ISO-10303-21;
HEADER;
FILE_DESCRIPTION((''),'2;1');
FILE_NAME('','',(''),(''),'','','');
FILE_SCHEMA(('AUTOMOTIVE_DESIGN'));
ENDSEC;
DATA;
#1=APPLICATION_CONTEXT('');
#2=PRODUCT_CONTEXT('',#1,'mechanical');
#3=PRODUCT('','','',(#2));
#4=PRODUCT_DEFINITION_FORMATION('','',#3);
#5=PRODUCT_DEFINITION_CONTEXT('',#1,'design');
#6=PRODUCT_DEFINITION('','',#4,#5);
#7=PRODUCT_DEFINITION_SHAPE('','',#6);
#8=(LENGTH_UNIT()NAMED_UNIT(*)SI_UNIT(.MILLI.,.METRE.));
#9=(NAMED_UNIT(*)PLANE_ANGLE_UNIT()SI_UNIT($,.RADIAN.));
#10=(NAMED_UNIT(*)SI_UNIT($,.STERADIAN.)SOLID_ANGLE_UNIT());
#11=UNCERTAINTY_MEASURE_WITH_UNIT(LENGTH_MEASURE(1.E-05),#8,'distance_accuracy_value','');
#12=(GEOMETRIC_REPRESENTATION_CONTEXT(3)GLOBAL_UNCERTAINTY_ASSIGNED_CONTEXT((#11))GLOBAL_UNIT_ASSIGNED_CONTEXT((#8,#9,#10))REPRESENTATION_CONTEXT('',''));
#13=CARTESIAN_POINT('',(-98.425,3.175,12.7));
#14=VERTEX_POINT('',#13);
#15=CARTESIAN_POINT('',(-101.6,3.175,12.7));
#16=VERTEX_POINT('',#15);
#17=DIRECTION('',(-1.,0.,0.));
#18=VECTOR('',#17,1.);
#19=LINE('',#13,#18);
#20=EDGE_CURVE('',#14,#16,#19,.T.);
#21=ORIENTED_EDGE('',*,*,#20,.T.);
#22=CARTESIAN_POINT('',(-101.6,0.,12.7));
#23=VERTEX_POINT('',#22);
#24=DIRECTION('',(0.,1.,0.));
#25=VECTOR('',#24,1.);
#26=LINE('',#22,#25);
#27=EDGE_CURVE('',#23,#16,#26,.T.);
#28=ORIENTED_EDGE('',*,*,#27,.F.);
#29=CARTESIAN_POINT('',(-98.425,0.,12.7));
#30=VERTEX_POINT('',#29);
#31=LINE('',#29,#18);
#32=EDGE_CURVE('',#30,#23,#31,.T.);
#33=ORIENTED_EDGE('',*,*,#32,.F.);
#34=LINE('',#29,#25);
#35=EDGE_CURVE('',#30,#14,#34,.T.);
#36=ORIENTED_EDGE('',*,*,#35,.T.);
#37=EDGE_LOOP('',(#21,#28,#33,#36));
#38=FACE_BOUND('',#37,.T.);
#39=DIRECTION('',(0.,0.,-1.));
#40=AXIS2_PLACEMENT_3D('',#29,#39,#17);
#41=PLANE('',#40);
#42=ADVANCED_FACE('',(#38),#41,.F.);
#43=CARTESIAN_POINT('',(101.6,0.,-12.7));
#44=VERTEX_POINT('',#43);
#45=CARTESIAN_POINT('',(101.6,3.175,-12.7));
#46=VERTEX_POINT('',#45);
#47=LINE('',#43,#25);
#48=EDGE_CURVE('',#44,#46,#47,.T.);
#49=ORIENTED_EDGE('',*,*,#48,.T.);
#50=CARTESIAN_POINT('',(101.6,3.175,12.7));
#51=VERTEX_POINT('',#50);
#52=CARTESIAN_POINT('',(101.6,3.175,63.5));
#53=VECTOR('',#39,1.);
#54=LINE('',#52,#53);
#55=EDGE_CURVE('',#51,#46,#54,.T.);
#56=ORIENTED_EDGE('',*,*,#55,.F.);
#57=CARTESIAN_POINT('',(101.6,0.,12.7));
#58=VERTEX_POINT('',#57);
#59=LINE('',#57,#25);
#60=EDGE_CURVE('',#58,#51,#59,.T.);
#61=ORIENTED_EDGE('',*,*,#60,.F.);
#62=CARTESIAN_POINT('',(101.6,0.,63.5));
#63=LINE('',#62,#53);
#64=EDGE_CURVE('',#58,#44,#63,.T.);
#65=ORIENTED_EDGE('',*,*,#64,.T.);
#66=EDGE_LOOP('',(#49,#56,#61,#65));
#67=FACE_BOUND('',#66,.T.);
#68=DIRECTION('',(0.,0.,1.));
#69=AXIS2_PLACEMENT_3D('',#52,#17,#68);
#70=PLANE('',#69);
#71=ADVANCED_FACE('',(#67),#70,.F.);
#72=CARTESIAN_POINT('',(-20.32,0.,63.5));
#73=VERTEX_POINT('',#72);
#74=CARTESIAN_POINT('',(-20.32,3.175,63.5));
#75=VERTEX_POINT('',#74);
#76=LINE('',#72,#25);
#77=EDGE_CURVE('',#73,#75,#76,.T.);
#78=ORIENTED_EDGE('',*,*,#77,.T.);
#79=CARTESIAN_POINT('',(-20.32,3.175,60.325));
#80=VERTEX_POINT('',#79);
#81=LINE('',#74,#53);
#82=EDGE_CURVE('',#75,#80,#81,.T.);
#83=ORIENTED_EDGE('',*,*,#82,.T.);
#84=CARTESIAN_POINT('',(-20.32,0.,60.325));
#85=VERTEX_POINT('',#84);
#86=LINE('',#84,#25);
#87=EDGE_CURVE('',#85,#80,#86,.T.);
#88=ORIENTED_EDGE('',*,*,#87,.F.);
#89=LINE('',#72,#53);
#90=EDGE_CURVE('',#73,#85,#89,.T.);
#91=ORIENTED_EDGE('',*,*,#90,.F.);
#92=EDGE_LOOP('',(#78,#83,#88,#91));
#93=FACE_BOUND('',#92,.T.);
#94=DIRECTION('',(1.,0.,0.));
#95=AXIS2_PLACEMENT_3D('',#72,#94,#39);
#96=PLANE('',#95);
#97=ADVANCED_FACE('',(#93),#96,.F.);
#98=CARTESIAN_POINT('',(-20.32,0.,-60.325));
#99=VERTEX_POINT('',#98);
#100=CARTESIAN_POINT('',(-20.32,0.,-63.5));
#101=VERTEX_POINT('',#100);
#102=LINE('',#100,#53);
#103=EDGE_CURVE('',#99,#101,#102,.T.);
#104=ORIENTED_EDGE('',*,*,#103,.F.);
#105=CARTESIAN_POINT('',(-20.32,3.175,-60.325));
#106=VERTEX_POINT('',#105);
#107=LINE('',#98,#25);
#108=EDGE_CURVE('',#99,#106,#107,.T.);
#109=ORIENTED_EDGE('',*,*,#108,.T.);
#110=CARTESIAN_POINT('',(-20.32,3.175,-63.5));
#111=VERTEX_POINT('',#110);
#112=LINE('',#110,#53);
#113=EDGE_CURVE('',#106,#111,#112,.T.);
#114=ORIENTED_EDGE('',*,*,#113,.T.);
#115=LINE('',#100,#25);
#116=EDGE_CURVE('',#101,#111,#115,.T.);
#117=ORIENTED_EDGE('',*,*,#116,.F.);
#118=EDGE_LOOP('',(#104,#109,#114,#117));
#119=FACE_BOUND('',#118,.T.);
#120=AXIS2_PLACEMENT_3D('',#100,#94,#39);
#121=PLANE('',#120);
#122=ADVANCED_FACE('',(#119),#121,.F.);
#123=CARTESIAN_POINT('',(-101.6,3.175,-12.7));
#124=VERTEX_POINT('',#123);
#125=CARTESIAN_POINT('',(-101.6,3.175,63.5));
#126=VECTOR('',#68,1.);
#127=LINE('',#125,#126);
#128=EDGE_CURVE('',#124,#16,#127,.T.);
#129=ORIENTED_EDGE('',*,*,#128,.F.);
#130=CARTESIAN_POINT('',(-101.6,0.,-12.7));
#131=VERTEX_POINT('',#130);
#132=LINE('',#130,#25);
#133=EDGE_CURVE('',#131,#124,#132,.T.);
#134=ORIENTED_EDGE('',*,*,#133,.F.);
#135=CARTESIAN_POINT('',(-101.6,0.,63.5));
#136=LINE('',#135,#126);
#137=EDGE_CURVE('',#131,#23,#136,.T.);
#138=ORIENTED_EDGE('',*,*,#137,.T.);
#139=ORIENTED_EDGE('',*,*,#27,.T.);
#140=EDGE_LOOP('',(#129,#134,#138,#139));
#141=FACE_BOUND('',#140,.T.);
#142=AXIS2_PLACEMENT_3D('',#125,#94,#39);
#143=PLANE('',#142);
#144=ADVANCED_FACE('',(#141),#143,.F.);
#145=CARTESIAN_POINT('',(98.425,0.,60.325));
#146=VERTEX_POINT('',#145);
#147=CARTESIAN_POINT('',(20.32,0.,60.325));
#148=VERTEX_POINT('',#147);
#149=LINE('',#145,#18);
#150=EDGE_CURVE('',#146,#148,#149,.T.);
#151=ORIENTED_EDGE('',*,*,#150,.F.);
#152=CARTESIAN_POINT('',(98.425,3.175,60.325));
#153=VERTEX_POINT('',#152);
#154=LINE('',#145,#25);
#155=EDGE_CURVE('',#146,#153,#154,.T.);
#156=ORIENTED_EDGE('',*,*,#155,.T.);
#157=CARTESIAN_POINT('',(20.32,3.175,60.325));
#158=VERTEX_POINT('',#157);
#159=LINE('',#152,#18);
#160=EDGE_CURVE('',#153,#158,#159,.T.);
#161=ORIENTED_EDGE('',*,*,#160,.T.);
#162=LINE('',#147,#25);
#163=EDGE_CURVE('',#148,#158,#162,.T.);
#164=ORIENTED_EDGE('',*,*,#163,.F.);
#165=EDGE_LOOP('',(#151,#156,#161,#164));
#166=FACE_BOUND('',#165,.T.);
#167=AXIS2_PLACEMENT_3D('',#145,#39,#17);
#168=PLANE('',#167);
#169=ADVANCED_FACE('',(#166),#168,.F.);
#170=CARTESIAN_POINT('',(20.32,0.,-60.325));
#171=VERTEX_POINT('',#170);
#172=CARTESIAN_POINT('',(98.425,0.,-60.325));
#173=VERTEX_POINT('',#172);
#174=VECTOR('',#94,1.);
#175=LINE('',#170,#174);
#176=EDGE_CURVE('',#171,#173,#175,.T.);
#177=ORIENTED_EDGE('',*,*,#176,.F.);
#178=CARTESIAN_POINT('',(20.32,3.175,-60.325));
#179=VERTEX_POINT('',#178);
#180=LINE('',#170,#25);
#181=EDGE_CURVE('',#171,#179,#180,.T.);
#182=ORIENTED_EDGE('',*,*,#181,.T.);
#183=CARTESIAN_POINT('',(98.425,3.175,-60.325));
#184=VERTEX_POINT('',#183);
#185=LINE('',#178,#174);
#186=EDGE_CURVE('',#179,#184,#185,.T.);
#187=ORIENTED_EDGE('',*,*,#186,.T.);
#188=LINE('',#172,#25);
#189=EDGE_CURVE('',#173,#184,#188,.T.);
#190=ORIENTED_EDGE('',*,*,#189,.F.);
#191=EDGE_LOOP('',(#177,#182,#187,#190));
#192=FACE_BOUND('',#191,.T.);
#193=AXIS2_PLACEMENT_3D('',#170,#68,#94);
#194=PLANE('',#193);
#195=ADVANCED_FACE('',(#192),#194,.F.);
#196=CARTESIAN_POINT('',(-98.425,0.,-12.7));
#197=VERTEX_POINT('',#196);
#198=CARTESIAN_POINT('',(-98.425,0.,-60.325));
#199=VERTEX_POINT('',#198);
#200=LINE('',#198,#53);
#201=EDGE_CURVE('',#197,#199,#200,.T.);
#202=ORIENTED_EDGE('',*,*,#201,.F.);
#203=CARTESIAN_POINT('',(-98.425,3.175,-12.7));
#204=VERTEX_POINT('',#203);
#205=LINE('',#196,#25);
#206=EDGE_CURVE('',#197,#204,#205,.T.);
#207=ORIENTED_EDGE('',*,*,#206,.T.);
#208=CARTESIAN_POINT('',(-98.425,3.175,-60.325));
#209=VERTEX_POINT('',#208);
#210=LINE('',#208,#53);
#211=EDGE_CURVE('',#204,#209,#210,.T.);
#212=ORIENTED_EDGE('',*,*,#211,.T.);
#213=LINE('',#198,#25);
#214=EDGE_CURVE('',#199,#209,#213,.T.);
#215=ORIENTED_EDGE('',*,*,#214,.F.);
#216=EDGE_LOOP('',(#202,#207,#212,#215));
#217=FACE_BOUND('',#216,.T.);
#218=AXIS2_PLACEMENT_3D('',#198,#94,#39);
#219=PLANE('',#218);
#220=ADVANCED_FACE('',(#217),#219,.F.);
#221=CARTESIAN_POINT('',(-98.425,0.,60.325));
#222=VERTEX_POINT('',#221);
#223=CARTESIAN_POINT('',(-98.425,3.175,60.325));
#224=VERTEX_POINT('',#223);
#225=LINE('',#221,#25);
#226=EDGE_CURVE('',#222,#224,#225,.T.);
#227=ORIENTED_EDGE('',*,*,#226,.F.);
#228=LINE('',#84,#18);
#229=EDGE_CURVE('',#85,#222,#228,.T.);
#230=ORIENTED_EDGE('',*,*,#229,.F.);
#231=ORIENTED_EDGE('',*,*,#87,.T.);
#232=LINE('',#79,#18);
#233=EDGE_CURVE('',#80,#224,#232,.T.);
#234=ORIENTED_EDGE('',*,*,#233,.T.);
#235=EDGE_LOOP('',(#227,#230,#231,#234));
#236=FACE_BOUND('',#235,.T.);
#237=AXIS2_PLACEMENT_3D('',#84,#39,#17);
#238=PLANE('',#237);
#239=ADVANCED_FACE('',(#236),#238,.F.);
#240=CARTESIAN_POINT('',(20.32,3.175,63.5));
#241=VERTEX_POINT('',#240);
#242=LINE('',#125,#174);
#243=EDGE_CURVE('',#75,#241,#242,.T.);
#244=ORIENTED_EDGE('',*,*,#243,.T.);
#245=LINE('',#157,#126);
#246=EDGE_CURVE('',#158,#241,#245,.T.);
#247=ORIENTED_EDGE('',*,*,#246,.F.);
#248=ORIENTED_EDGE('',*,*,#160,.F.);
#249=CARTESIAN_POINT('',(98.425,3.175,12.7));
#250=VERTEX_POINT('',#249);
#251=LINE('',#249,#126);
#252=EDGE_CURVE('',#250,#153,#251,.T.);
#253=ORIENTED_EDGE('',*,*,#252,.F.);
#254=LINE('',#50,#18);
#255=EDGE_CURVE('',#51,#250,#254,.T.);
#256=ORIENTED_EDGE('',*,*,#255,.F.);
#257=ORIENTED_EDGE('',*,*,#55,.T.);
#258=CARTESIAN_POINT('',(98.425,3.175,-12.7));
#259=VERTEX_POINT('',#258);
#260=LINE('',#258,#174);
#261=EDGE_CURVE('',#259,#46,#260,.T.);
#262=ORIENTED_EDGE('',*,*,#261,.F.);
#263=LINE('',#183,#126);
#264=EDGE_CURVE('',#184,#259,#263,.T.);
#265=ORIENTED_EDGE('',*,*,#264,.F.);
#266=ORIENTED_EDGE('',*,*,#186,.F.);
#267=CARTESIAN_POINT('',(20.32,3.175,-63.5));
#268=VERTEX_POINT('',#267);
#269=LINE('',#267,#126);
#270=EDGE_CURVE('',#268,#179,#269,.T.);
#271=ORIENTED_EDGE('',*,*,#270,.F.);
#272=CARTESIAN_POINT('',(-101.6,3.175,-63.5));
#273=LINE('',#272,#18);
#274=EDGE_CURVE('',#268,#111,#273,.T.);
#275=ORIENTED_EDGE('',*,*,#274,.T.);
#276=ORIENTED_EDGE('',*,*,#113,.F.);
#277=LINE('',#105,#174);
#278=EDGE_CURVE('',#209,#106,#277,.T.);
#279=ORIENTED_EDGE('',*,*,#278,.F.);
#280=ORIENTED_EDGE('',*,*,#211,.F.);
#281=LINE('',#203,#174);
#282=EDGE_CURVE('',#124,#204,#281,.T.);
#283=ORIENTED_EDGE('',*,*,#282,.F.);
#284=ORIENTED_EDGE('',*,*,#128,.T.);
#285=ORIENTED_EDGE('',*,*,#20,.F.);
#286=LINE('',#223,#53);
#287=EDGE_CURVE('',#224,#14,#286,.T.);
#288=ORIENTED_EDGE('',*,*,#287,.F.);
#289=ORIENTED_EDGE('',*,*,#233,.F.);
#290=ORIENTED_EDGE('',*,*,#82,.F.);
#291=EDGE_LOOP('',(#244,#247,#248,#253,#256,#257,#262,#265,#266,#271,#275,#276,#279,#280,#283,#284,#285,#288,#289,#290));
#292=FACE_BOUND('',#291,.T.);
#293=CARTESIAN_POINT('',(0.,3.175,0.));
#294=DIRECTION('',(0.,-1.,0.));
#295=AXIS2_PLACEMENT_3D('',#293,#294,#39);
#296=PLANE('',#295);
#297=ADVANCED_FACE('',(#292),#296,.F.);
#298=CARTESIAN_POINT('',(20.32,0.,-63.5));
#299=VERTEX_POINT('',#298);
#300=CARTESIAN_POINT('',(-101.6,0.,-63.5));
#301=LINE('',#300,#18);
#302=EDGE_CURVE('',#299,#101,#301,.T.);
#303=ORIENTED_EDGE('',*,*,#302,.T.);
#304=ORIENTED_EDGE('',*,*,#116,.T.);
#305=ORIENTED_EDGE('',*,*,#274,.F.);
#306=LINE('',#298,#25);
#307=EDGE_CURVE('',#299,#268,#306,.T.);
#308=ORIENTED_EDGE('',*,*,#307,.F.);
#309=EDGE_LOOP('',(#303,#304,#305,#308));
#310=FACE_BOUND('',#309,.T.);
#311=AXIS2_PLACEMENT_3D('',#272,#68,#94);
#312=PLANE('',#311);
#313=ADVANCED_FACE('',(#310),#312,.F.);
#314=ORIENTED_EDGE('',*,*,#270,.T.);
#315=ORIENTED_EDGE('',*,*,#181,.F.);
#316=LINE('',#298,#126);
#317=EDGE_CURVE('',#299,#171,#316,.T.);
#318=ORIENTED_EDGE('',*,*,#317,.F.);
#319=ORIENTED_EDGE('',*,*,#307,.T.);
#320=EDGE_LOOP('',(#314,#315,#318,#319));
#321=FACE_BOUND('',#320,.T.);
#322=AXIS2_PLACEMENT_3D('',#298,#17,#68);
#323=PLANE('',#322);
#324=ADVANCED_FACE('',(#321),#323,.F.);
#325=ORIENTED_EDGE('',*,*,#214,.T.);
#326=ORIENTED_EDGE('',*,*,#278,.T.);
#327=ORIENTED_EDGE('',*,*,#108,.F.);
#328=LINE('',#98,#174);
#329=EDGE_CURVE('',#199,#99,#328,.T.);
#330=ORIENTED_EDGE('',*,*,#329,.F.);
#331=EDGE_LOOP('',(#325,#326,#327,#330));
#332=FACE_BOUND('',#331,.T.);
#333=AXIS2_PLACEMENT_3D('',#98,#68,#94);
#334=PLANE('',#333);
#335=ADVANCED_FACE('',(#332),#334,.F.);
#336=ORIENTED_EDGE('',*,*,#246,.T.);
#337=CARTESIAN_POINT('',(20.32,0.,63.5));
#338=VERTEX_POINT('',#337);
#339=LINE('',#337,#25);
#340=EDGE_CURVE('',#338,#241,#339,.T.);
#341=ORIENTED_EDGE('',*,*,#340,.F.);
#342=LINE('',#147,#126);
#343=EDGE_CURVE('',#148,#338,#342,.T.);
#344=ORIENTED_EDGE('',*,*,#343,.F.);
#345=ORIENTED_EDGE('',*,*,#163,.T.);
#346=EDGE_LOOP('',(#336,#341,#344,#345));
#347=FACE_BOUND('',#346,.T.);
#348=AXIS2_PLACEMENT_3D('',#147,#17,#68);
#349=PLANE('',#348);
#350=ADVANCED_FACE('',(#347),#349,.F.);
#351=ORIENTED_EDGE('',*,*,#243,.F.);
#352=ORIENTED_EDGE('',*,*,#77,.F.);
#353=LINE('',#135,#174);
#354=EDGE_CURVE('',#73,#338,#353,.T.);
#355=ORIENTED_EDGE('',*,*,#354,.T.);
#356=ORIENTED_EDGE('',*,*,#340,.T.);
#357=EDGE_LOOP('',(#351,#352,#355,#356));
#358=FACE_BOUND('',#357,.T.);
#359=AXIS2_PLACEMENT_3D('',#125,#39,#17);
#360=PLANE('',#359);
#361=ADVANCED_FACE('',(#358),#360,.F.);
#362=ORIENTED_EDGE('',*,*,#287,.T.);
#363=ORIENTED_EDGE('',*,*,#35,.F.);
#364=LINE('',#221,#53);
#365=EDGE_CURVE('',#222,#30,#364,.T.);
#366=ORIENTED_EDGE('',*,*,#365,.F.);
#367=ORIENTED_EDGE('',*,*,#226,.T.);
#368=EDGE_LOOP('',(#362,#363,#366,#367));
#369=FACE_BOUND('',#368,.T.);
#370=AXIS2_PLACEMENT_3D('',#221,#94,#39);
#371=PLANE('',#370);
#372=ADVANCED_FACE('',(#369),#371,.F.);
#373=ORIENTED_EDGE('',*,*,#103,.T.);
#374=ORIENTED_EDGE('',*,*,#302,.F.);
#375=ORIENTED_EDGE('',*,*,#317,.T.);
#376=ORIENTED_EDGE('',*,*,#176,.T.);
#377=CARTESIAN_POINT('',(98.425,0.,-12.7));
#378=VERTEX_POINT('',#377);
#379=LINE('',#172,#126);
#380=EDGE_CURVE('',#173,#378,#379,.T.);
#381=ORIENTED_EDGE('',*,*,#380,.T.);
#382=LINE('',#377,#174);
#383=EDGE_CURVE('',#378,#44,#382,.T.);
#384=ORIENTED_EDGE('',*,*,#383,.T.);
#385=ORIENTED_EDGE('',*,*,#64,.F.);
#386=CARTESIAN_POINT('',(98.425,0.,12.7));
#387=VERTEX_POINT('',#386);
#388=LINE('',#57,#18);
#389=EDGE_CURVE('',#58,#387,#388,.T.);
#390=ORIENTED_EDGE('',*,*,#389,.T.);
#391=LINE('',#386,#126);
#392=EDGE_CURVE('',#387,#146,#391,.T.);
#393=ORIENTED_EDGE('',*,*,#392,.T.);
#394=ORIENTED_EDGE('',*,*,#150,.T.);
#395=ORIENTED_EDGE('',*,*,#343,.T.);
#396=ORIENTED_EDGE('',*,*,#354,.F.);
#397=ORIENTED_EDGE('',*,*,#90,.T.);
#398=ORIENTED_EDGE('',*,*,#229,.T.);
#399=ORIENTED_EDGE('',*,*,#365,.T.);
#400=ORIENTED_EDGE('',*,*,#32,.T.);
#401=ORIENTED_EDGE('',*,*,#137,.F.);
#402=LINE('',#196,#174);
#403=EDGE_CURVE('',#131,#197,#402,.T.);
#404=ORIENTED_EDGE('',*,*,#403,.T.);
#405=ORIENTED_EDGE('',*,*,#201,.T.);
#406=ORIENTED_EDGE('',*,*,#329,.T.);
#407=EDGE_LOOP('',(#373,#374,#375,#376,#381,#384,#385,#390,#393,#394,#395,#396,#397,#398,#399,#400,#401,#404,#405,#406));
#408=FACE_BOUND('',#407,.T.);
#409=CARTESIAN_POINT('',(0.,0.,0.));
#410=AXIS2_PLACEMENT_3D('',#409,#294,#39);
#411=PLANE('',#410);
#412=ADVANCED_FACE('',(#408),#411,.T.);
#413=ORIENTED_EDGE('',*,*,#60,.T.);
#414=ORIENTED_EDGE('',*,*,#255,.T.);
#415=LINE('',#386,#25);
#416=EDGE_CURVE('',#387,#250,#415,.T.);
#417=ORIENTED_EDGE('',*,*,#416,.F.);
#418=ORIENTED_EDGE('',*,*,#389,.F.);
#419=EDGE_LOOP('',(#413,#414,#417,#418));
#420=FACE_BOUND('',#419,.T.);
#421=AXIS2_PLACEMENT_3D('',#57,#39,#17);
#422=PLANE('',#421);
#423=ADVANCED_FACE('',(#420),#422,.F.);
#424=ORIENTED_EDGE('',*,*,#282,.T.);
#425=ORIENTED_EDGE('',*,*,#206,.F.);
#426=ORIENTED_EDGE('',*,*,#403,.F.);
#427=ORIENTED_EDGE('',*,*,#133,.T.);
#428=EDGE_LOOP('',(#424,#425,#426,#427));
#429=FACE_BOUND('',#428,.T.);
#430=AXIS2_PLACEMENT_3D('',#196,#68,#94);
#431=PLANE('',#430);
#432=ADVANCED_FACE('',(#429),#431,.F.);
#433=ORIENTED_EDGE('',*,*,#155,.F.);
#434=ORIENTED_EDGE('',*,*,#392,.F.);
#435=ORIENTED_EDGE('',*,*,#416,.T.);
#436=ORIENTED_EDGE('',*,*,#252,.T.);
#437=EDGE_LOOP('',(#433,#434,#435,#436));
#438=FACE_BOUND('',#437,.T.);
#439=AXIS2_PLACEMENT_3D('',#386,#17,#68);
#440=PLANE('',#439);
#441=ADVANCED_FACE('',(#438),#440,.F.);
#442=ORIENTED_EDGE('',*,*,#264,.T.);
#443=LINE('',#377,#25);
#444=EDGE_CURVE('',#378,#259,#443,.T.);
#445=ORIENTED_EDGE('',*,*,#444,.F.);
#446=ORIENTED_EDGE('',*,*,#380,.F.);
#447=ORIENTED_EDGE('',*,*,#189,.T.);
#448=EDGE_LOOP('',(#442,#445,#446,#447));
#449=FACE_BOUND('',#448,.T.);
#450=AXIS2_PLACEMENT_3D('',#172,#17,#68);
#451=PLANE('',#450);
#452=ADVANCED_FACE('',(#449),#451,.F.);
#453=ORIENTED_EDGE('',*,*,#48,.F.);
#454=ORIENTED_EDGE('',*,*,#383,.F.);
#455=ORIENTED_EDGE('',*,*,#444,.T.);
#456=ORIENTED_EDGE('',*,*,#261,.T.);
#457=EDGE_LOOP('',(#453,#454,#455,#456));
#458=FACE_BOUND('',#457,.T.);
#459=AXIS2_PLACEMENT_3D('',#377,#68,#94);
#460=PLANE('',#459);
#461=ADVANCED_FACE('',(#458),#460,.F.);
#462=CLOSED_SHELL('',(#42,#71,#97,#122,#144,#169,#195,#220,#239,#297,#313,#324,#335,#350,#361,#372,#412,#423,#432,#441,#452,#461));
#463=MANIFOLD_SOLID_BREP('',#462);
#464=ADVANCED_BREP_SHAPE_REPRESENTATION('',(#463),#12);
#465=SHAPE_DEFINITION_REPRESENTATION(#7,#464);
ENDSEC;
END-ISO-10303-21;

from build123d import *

# Parameters (mm, degrees)
SKETCH1_W           = 203.2
SKETCH1_H           = 127
BOSS_EXTRUDE1_DEPTH = 3.175
CUT_EXTRUDE1_DEPTH  = 3.175


with BuildPart() as part:
    # Sketch1 → Boss-Extrude1 (new body)
    with BuildSketch(Plane(origin=(0, 0, 0), x_dir=(1, 0, 0), z_dir=(0, 1, 0))):
        Rectangle(SKETCH1_W, SKETCH1_H)
    extrude(amount=BOSS_EXTRUDE1_DEPTH)

    # Sketch3 → Cut-Extrude1 (cut)
    with BuildSketch(Plane(origin=(0, 3.175, 0), x_dir=(1, 0, 0), z_dir=(0, 1, 0))):
        Polygon((-98.425, 12.7), (-101.6, 12.7), (-101.6, 63.5), (-20.32, 63.5), (-20.32, 60.325), (-98.425, 60.325), align=None)
        Polygon((20.32, 60.325), (98.425, 60.325), (98.425, 12.7), (101.6, 12.7), (101.6, 63.5), (20.32, 63.5), align=None)
        Polygon((-101.6, -12.7), (-101.6, -65.513366778), (-20.32, -63.5), (-20.32, -60.325), (-98.425, -60.325), (-98.425, -12.7), align=None)
        Polygon((20.32, -60.325), (20.32, -63.5), (101.6, -63.5), (101.6, -12.7), (98.425, -12.7), (98.425, -60.325), align=None)
    extrude(amount=-CUT_EXTRUDE1_DEPTH, mode=Mode.SUBTRACT)


solid = part.part
